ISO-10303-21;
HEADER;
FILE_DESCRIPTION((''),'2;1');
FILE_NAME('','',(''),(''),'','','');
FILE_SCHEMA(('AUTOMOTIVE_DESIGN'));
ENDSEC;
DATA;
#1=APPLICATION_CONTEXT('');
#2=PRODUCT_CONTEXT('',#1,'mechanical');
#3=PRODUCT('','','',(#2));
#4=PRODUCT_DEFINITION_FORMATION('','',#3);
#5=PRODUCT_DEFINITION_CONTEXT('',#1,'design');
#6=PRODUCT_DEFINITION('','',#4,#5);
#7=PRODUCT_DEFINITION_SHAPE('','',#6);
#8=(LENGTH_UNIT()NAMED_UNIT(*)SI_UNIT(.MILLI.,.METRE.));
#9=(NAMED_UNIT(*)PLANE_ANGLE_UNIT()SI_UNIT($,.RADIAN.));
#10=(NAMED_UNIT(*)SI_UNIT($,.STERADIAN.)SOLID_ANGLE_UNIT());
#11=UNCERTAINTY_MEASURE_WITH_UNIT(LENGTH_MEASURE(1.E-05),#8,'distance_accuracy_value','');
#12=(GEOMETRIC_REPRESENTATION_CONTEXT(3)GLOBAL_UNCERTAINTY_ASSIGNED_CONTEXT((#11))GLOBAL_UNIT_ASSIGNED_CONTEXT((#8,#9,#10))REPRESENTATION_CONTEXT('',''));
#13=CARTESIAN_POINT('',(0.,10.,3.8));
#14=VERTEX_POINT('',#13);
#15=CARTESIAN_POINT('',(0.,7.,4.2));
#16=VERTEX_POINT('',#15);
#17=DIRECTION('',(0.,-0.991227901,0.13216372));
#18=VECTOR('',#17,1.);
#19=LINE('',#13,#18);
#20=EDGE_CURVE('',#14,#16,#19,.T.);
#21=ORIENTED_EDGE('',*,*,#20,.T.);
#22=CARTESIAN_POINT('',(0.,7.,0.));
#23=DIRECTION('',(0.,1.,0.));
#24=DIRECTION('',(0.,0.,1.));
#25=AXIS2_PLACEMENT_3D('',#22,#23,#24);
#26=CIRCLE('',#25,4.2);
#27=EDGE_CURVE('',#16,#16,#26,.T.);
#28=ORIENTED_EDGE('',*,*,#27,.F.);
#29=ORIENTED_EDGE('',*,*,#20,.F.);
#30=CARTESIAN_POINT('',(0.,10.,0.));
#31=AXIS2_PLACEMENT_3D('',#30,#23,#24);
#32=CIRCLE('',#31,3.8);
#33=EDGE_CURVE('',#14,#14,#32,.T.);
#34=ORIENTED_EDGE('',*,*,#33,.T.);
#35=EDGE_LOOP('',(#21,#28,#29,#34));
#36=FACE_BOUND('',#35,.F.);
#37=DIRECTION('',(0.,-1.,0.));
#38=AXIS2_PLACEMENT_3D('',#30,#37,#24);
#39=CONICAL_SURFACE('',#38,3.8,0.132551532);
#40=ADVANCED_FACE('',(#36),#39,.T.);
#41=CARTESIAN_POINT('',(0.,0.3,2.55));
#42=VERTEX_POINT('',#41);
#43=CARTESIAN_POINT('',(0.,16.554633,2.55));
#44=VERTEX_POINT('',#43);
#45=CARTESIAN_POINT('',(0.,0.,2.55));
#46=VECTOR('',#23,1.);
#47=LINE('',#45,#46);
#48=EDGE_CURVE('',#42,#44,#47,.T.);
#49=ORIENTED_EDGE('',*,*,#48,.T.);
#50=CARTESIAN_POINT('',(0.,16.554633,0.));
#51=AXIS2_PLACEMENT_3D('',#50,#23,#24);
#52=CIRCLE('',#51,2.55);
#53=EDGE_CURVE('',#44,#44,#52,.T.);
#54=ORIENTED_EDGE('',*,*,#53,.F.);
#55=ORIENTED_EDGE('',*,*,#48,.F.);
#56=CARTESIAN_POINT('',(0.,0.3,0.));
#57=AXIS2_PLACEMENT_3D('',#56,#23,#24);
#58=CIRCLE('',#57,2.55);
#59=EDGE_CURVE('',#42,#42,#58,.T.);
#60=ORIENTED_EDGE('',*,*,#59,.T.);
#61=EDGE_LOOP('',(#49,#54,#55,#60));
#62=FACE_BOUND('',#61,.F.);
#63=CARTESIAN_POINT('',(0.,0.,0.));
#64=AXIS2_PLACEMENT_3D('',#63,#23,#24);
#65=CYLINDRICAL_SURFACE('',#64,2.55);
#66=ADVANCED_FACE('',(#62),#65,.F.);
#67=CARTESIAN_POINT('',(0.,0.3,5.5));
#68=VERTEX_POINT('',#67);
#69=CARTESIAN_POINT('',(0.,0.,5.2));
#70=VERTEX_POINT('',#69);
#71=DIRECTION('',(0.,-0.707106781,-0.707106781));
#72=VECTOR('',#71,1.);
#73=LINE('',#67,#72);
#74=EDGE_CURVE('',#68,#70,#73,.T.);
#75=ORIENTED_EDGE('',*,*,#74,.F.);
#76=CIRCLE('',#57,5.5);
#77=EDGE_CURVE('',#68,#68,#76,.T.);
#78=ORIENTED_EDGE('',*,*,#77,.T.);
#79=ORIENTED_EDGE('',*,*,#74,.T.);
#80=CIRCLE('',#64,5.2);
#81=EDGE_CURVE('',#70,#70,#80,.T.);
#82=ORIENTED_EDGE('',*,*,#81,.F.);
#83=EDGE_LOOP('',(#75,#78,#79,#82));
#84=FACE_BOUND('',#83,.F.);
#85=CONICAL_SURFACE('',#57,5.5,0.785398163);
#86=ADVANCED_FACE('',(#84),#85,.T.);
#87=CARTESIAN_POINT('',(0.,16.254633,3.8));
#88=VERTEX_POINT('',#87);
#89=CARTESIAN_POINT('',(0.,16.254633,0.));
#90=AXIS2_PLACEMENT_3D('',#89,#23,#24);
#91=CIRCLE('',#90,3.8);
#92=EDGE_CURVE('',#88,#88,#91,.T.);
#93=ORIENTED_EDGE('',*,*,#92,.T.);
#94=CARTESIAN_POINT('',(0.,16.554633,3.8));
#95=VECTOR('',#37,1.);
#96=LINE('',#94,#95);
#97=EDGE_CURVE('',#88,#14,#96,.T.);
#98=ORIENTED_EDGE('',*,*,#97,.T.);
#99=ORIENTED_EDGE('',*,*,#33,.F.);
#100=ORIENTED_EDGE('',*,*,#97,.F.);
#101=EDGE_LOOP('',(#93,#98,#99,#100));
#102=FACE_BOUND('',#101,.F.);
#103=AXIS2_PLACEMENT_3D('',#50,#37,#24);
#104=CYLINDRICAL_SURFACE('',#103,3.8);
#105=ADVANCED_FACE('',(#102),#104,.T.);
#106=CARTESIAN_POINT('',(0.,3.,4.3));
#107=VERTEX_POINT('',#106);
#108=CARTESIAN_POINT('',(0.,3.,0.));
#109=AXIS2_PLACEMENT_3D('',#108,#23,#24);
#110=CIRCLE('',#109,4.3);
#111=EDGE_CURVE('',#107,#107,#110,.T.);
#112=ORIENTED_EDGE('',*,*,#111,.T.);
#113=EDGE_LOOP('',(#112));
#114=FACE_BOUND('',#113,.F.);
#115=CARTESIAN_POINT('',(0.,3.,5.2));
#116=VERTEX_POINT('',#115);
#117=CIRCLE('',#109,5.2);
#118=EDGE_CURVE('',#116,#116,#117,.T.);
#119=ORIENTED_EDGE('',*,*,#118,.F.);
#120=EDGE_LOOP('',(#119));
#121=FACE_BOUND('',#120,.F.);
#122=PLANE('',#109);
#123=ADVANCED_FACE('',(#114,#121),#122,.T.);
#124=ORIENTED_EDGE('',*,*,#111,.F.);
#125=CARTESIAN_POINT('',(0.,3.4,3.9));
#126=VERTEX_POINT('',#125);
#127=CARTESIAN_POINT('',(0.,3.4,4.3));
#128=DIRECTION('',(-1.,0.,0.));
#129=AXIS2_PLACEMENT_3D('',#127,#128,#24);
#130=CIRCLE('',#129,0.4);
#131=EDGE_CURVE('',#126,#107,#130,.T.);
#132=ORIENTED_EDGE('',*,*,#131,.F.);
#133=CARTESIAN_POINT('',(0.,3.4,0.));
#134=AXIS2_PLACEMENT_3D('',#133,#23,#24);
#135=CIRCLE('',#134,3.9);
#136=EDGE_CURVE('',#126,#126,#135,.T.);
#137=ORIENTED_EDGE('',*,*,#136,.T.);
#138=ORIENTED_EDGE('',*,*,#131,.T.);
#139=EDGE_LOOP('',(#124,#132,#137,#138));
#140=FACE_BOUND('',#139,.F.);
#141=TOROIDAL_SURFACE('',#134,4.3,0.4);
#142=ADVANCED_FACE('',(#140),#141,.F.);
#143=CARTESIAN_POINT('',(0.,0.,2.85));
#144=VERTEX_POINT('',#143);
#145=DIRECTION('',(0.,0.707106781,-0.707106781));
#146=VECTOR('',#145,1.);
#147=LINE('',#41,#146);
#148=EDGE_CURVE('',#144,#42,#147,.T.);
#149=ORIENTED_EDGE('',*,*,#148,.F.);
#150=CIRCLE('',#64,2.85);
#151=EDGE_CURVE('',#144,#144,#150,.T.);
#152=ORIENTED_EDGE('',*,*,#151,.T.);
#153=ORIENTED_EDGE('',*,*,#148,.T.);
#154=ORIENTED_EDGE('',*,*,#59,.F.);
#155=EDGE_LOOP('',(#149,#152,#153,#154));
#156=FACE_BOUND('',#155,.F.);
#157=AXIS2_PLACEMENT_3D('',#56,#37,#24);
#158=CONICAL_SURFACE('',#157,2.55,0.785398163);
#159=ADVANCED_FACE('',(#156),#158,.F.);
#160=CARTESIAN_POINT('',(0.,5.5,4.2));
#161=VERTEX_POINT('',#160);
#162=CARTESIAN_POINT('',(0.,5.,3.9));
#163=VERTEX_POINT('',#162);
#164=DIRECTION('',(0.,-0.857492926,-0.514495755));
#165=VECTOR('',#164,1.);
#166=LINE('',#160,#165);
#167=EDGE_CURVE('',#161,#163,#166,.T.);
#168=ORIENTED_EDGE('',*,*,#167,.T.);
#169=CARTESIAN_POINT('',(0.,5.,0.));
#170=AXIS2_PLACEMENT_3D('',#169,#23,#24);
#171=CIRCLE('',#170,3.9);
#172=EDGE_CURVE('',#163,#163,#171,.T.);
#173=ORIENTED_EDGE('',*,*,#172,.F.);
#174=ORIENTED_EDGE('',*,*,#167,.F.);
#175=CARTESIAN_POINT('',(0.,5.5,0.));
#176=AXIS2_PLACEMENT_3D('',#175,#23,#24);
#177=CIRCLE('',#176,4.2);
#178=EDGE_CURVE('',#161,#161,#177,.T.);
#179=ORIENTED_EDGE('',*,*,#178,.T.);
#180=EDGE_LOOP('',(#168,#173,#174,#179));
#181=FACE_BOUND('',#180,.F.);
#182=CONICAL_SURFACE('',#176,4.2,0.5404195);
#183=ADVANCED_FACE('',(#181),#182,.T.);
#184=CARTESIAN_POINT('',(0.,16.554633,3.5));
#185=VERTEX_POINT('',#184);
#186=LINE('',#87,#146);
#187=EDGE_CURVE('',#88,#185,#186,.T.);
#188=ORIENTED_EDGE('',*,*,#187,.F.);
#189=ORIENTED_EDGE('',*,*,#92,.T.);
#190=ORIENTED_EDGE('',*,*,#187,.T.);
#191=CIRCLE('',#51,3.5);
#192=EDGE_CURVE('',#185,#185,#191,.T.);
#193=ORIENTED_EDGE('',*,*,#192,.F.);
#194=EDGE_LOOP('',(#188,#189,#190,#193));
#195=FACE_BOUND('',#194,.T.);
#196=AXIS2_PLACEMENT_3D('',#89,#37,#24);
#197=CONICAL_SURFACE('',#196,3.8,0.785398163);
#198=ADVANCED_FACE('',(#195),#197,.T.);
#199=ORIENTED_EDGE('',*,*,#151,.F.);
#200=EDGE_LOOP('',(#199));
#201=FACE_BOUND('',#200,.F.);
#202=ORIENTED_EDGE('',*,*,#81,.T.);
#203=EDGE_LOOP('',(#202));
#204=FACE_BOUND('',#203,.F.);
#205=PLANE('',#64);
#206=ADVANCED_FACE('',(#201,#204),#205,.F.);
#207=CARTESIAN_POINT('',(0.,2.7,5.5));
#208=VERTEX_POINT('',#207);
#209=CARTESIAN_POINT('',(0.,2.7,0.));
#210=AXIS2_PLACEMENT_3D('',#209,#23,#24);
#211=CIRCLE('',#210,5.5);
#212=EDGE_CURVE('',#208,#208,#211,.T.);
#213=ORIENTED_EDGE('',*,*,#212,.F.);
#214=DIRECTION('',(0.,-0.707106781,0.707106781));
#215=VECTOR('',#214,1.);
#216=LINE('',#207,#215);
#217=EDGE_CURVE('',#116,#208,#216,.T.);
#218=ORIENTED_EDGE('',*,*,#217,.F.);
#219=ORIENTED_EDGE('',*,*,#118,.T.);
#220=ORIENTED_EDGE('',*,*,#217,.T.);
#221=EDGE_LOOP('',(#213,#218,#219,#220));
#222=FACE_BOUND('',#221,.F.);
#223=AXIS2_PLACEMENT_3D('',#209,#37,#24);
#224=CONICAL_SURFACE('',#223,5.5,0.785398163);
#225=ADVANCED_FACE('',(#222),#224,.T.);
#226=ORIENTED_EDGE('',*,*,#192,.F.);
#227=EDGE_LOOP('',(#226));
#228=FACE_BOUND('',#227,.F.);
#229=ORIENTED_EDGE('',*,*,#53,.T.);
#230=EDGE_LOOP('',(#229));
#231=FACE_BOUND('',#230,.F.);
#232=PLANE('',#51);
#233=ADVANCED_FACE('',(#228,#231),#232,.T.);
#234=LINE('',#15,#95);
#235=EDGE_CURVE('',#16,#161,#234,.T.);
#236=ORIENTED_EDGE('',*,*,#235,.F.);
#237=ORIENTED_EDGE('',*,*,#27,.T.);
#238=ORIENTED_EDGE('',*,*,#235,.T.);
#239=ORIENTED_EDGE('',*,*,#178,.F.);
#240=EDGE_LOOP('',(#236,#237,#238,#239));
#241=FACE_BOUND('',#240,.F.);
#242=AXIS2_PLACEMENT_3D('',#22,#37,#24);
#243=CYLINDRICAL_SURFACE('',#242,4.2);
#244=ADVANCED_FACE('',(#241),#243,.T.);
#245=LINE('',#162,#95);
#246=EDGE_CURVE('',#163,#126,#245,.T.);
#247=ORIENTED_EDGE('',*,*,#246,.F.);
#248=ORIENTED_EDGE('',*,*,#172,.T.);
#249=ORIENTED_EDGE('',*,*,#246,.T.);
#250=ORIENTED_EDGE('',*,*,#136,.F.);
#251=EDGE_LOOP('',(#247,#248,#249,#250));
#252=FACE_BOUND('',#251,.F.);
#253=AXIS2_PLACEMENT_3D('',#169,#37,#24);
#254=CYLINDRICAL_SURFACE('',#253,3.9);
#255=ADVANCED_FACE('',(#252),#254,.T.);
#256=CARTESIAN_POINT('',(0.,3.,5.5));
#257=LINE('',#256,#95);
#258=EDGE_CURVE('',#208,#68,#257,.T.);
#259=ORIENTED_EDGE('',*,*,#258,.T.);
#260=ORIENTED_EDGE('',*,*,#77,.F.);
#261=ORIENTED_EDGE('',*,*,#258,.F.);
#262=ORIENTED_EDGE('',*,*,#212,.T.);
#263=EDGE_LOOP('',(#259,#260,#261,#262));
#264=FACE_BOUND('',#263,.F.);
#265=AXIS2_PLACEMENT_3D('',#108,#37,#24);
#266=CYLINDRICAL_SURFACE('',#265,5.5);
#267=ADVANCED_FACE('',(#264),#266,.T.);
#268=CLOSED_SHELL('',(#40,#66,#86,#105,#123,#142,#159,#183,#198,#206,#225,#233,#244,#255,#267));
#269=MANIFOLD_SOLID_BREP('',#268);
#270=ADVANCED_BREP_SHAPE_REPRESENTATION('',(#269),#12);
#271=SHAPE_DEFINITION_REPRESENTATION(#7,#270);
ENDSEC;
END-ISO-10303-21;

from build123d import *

# Parameters (mm, degrees)
F2_R    = 0.4
F3_SIZE = 0.3


with BuildPart() as f1:
    # F0 (on Right) → F1 (revolve)
    with BuildSketch(Plane.YZ):
        Polygon((0, 5.5), (0, 2.55), (16.554633, 2.55), (16.554633, 3.8), (10, 3.8), (7, 4.2), (5.5, 4.2), (5, 3.9), (3, 3.9), (3, 5.5), align=None)
    revolve(axis=Axis((0, 9.707107, 0), (0, 1, 0)))

    # F2
    f2_edges = [f1.edges().sort_by_distance(p)[0] for p in [
        (0, 3, -3.9),
    ]]
    fillet(f2_edges, radius=F2_R)

    # F3
    f3_edges = [f1.edges().sort_by_distance(p)[0] for p in [
        (0, 3, -5.5),
        (0, 0, -5.5),
        (0, 16.554633, -3.8),
        (0, 0, -2.55),
    ]]
    chamfer(f3_edges, length=F3_SIZE)


solid = f1.part
